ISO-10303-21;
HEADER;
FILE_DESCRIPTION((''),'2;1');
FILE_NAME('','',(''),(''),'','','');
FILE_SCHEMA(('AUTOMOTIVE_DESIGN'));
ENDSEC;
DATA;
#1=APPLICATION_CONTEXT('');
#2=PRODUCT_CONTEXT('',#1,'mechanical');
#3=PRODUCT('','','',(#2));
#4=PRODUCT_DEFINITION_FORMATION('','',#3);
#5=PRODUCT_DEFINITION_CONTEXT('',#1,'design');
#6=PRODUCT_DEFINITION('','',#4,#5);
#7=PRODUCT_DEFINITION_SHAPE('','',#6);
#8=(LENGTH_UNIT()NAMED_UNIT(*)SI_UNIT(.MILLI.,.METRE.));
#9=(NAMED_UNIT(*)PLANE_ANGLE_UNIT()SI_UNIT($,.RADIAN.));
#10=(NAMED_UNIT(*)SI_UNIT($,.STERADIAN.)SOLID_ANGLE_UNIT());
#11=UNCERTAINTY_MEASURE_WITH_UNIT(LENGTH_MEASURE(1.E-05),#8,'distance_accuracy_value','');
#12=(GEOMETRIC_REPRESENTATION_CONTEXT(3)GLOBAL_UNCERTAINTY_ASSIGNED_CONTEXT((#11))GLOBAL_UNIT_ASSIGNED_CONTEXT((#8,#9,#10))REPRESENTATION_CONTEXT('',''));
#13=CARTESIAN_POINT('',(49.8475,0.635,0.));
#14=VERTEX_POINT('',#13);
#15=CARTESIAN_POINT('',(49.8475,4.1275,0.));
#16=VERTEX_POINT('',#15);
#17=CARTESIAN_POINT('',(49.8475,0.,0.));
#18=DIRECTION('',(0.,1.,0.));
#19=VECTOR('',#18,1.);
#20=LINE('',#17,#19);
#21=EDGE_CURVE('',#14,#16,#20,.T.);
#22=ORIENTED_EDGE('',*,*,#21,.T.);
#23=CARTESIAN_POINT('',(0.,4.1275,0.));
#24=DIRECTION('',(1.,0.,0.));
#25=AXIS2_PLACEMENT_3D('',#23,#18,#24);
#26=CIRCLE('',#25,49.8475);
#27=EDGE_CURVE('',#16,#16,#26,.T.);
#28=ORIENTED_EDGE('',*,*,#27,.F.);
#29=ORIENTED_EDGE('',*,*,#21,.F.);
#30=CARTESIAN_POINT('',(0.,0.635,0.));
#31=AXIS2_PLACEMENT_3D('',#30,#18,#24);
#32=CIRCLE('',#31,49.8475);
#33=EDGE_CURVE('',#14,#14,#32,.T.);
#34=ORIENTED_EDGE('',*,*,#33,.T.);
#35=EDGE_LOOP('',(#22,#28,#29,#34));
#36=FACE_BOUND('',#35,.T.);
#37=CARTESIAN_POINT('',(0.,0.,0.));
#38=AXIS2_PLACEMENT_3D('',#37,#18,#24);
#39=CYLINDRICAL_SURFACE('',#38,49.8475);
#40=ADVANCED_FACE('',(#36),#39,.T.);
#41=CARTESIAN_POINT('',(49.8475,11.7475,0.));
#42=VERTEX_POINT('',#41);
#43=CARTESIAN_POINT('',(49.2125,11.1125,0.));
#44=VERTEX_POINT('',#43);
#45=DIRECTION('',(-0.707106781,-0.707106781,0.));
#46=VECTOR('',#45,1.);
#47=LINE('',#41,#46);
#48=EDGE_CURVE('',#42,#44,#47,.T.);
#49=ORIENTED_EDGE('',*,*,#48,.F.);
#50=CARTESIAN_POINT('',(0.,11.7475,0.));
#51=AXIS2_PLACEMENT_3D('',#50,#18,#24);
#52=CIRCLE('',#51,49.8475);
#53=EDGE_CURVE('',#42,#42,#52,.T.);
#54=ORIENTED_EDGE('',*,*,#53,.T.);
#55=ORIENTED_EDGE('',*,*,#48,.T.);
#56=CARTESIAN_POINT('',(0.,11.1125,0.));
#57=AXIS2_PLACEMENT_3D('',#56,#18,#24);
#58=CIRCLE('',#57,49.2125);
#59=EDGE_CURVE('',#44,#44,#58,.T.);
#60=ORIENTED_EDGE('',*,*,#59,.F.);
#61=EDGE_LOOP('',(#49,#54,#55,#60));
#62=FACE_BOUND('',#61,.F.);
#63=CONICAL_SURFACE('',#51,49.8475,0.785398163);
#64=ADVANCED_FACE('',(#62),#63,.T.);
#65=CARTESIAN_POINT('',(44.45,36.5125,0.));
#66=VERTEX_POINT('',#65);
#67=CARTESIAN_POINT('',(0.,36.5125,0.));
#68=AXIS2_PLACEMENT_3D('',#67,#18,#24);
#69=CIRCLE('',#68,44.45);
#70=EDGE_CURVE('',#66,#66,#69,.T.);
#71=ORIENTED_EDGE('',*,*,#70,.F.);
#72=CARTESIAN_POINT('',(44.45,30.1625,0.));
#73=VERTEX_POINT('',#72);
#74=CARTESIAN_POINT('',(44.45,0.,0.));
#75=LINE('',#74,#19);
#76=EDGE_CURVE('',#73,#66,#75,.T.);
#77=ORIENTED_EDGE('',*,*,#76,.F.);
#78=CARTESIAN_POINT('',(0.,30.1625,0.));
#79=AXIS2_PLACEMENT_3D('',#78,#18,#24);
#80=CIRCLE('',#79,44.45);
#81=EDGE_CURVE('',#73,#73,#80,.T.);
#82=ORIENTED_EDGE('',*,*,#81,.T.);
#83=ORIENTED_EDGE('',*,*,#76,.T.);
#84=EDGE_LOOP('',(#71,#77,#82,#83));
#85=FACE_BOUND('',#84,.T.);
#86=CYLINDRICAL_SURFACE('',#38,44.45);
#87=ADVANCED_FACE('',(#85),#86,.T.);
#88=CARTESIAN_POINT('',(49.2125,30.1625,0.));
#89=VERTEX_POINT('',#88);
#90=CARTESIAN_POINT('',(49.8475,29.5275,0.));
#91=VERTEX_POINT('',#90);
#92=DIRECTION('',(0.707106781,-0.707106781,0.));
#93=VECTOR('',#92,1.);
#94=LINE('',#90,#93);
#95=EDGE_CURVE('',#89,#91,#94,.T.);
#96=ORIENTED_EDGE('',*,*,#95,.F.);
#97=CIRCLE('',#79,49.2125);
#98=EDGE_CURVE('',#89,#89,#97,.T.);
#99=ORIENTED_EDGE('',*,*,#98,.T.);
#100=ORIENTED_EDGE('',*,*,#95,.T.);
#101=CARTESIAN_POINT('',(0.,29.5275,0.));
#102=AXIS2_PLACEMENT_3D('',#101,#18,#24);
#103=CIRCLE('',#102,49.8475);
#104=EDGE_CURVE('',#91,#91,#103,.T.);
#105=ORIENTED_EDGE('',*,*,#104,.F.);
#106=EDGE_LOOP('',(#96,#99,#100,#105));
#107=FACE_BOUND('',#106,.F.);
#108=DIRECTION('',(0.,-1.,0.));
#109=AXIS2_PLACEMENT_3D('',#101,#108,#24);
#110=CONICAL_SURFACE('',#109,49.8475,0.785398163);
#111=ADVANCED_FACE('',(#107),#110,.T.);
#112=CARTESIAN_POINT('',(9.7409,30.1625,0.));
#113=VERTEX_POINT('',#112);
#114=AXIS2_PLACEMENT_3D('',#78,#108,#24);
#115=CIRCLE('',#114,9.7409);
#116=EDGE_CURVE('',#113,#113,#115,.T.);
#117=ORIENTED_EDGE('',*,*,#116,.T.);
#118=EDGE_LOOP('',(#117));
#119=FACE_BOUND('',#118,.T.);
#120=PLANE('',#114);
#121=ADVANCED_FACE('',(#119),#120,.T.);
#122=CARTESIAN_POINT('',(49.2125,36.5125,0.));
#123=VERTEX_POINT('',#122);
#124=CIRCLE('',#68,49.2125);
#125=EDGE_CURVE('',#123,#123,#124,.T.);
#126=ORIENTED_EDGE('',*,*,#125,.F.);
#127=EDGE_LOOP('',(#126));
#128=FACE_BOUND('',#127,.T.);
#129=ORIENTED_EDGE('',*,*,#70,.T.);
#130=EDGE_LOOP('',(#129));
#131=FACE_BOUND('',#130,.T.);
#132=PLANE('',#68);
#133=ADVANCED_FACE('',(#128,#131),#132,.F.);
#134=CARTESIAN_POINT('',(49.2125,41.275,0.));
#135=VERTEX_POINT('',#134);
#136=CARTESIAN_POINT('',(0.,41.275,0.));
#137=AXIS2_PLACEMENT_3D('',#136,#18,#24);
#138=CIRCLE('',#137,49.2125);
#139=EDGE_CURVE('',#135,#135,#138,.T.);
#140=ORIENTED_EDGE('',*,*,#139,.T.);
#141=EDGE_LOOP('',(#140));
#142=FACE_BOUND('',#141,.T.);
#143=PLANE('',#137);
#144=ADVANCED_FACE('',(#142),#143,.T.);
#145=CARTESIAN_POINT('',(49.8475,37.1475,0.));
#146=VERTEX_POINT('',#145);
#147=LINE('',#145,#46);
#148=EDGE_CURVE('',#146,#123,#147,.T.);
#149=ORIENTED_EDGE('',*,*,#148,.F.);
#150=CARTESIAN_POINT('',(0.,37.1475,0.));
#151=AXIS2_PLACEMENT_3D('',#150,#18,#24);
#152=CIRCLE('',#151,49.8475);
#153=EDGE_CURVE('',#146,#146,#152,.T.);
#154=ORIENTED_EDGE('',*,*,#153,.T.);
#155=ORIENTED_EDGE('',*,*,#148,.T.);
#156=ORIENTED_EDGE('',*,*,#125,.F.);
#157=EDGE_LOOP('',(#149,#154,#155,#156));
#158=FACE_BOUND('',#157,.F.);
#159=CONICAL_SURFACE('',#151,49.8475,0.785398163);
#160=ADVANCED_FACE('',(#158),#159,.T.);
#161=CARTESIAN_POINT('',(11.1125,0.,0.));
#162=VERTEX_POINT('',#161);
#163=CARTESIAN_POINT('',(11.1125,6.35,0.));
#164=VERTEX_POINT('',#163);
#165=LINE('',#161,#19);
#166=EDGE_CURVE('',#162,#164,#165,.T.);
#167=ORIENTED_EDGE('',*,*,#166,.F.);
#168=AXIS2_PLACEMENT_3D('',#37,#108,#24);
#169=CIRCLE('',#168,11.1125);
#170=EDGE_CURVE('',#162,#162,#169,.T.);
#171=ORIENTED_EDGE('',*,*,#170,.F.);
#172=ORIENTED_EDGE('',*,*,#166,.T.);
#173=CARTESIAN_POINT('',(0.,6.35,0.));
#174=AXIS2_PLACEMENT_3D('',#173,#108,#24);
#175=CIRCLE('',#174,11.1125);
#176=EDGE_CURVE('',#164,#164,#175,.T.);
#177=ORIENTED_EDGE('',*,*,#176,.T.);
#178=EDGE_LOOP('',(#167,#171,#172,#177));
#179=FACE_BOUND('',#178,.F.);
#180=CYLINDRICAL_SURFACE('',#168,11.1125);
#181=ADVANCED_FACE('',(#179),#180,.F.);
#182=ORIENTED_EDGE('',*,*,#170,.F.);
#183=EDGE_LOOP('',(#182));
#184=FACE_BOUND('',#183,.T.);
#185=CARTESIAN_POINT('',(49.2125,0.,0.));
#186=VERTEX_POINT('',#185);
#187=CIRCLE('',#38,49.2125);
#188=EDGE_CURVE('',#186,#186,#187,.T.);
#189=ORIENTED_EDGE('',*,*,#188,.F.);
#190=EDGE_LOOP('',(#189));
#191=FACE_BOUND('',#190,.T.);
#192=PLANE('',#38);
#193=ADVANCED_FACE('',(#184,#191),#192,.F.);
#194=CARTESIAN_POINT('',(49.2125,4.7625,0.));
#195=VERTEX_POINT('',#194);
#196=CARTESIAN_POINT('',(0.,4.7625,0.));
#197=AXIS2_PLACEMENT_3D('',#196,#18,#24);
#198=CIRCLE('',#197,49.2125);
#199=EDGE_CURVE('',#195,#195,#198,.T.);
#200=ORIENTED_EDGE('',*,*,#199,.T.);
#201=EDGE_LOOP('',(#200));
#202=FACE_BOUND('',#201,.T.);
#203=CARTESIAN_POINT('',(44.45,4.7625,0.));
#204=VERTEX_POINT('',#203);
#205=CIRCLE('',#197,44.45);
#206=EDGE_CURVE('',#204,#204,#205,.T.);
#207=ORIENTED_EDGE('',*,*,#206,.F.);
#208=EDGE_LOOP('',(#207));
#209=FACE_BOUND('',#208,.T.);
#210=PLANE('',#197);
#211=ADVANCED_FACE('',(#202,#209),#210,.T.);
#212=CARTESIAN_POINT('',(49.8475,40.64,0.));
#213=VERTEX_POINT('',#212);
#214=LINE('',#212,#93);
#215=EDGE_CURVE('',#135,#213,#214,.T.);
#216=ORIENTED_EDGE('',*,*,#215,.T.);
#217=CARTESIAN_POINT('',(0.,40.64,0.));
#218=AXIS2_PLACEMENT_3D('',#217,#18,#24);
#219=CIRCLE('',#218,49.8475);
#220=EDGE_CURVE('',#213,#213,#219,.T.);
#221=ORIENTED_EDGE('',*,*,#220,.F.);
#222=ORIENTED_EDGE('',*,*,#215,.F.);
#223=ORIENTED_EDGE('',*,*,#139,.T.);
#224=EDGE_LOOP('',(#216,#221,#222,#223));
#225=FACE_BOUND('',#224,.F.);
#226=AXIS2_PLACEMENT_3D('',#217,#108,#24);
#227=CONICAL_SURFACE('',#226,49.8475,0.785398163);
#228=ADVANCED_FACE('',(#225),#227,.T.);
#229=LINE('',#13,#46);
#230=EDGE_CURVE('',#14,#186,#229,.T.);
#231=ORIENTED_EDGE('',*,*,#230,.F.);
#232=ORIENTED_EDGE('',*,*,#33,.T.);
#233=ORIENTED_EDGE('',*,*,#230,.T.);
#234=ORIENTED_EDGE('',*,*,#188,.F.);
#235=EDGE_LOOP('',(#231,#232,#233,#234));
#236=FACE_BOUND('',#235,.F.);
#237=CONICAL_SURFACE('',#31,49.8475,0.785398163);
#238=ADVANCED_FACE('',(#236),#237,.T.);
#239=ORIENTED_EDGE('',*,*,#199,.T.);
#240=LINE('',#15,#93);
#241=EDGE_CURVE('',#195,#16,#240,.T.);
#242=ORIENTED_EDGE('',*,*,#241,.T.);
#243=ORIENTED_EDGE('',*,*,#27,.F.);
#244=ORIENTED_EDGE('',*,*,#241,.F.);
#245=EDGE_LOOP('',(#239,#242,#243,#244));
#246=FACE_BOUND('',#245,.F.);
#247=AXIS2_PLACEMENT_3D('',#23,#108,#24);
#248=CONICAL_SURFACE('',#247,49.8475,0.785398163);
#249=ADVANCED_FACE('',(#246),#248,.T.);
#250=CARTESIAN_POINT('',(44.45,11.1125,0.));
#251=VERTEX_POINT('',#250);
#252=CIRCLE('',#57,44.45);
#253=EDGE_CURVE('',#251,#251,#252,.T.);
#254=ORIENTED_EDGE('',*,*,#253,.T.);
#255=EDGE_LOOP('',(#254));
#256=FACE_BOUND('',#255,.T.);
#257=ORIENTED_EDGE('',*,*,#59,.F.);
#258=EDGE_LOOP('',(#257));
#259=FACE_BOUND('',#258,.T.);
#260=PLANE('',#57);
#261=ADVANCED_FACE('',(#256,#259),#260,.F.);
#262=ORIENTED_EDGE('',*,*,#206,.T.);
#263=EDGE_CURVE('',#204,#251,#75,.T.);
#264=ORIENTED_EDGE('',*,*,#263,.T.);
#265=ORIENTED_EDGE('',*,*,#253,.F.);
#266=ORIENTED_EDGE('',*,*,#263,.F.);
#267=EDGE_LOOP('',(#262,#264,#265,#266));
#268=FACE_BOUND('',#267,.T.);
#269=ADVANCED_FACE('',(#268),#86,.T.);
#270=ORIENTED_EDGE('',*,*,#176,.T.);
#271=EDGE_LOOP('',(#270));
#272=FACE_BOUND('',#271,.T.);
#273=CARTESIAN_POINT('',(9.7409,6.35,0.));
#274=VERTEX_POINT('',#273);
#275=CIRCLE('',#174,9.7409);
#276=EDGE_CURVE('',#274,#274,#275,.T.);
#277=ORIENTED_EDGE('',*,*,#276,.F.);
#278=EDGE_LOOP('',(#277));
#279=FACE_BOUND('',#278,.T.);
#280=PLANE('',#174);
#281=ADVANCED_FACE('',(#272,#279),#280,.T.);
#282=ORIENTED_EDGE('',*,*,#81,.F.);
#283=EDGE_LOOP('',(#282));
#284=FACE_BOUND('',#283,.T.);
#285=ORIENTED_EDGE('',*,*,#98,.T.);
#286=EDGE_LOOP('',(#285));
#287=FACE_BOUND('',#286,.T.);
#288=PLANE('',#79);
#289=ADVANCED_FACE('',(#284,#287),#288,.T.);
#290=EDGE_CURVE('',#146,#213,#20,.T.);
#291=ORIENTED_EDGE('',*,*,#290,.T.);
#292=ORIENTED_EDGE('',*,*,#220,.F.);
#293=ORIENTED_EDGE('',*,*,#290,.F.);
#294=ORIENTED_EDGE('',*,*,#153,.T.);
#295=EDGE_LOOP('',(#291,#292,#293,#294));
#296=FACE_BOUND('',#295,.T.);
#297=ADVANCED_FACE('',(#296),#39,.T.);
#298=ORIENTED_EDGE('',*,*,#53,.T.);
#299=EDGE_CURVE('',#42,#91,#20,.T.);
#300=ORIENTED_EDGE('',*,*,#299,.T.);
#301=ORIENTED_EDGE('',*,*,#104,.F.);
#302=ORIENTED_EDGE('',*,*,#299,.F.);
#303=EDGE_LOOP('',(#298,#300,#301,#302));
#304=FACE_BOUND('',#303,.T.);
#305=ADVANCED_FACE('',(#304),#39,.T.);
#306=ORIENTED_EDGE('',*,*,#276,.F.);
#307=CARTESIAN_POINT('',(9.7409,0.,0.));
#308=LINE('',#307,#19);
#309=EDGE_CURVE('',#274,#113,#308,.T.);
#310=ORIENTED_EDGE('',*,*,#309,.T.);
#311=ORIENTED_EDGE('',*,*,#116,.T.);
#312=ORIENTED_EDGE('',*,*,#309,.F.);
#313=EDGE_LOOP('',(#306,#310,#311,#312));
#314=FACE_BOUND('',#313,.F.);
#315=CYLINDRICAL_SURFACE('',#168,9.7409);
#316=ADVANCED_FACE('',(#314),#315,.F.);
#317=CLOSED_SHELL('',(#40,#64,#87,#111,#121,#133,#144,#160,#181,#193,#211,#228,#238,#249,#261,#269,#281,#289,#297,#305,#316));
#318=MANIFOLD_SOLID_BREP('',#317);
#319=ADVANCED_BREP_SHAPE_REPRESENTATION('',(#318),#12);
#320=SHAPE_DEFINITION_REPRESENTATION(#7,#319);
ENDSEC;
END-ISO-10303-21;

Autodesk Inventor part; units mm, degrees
ref_plane "YZ Plane" through (0, 0, 0) normal (1, 0, 0) x (0, 1, 0)
ref_plane "XZ Plane" through (0, 0, 0) normal (0, 1, 0) x (-1, 0, 0)
ref_plane "XY Plane" through (0, 0, 0) normal (0, 0, 1) x (1, 0, 0)
sketch "Sketch1" plane through (0, 0, 0) normal (0, 0, 1) x (1, 0, 0)
  line L0 (50.8, 0) -> (50.8, 39.0312) construction
  line L1 (0, 0) -> (49.8475, 0)
  line L2 (44.45, 0) -> (44.45, 51.6727)
  line L3 (0, 0) -> (0, 50.5742)
  line L4 (49.8475, 0) -> (49.8475, 45.6895)
  line L5 (49.8475, 4.7625) -> (44.45, 4.7625)
  line L6 (44.45, 11.1125) -> (49.8475, 11.1125)
  line L7 (49.8475, 30.1625) -> (44.45, 30.1625)
  line L8 (44.45, 36.5125) -> (49.8475, 36.5125)
  line L9 (49.8475, 41.275) -> (0, 41.275)
  point P0 (47.1487, 36.5125)
  point P1 (44.45, 30.1625)
  dimension "d1" = 49.8475
  dimension "d2" = 44.45
  dimension "d3" = 6.35
  dimension "d4" = 6.35
  dimension "d5" = 4.7625
  dimension "d6" = 19.05
  dimension "d7" = 4.7625
  dimension "d12" = 41.275
revolve "Revolution1" add sketch "Sketch1" angle 360 about axis through (0, 0, 0) along (0, 1, 0) contours L3 L9 L2 L1 | L2 L5 L4 L1 | L9 L4 L8 L2 | L2 L7 L4 L6
chamfer "Chamfer1" distance 0.635 angle 45 6 edges at (-49.8475, 0, 0) (-49.8475, 4.7625, 0) (-49.8475, 11.1125, 0) (-49.8475, 30.1625, 0) (-49.8475, 36.5125, 0) (-49.8475, 41.275, 0)
sketch "Sketch2" plane through (0, 0, 0) normal (0, -1, 0) x (1, 0, 0)
  circle A0 centre (0, 0) radius 9.7409
  circle A1 centre (0, 0) radius 11.1125
  dimension "d16" = 19.4818
  dimension "d17" = 22.225
extrude "Extrusion1" cut sketch "Sketch2" against normal up to surface (30.1625 mm away) contours A0
extrude "Extrusion2" cut sketch "Sketch2" against normal blind 6.35 contours A0 | A1
properties part number "2 Piston"
